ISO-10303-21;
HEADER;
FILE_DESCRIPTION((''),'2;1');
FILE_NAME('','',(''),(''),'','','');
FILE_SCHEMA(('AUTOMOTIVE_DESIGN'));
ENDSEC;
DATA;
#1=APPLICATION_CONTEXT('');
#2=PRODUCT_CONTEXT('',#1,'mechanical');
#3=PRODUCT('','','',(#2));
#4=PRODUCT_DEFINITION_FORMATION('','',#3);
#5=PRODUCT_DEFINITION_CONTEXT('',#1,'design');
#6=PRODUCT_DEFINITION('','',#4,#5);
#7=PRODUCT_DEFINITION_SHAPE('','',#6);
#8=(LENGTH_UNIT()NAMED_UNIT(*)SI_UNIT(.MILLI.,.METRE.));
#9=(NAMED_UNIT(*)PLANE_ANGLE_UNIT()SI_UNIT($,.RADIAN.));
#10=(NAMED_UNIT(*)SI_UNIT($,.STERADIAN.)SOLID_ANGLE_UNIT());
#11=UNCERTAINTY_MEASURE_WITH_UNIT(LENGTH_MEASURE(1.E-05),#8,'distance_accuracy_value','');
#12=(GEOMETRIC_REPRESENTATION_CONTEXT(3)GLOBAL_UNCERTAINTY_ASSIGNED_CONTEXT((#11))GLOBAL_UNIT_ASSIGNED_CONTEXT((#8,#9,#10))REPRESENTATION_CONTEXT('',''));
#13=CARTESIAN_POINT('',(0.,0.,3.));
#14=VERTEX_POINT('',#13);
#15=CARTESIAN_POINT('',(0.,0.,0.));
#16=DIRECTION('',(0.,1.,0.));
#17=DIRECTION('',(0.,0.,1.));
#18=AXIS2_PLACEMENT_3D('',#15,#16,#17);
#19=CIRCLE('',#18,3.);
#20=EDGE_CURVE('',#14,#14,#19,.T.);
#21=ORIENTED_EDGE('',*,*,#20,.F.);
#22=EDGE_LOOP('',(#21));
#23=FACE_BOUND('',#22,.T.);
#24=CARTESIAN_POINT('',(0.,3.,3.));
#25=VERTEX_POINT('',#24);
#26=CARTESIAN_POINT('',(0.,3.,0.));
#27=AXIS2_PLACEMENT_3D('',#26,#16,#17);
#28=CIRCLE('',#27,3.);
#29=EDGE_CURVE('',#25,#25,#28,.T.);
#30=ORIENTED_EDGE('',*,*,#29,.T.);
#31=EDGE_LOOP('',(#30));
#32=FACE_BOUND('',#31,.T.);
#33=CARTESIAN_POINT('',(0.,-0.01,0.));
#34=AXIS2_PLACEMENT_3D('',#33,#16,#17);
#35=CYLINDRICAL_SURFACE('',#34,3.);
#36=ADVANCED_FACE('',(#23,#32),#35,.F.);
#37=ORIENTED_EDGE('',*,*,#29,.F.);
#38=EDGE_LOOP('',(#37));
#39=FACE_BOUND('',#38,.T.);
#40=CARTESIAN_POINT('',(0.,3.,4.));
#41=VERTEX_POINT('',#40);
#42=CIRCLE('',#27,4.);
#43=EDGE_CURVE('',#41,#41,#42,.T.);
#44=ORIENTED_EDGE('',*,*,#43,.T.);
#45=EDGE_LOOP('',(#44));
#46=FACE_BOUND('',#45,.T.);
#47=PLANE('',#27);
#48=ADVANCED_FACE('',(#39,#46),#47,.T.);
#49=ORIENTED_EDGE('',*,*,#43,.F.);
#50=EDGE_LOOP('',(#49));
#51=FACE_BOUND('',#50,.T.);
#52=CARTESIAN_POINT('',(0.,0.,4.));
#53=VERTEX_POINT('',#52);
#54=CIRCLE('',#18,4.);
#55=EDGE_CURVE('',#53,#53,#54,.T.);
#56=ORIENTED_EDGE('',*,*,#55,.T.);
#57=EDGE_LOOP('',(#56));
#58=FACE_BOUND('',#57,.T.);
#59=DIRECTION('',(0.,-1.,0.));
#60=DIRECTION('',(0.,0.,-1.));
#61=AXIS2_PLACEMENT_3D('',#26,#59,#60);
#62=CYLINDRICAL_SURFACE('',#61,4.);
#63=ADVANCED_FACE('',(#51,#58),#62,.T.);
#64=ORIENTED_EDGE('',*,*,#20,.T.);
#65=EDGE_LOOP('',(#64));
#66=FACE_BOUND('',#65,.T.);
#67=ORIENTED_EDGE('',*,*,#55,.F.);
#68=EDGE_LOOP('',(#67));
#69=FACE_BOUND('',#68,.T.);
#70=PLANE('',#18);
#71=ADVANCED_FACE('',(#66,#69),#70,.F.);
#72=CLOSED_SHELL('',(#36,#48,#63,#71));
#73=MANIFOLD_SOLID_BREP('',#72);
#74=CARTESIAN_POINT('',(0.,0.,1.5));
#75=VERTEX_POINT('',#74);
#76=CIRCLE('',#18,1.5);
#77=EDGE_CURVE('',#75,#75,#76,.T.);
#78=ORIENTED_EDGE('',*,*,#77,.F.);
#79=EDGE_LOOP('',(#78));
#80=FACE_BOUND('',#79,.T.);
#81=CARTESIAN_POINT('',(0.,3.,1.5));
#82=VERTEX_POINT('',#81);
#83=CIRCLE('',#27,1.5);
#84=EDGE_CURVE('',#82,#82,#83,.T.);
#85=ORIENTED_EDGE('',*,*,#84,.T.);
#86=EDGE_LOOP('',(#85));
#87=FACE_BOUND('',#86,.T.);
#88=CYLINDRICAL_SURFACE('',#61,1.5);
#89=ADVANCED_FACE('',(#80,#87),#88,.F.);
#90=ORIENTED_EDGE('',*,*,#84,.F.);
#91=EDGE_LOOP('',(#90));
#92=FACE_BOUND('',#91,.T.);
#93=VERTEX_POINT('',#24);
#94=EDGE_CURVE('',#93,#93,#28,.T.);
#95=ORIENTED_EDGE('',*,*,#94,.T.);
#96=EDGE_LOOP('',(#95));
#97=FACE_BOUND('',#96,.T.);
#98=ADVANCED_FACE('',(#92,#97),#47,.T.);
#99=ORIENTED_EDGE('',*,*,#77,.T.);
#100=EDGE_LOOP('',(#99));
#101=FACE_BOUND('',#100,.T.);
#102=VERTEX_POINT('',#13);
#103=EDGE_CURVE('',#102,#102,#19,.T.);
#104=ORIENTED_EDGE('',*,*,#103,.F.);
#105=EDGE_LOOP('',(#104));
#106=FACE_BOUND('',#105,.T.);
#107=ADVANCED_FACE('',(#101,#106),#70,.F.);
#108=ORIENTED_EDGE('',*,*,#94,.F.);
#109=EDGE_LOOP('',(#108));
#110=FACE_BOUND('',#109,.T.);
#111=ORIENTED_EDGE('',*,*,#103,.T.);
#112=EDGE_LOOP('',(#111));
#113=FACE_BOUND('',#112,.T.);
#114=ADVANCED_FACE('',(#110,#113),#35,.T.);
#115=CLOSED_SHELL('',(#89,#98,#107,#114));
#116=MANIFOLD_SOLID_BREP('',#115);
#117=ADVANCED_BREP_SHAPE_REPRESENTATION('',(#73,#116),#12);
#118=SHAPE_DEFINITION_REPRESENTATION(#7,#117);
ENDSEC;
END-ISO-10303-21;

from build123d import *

# Parameters (mm, degrees)
SKETCH_1_R                     = 4
SKETCH_1_R_2                   = 1.5
EXTRUDE_1_DEPTH                = 3
SPLIT_BODIES_1_SURFACE_1_BACK  = 12.705
SPLIT_BODIES_1_SURFACE_1_DEPTH = 25.41
SPLIT_BODIES_1_SURFACE_2_BACK  = 12.705
SPLIT_BODIES_1_SURFACE_2_DEPTH = 25.41


with BuildPart() as part:
    # 草图1 → 凸台-拉伸1 (new body)
    with BuildSketch(Plane(origin=(0, 0, 0), x_dir=(1, 0, 0), z_dir=(0, 1, 0))):
        with Locations(Location((0, 0, 0), (0, 0, 270))):
            Circle(SKETCH_1_R)
        with Locations(Location((0, 0, 0), (0, 0, 270))):
            Circle(SKETCH_1_R_2, mode=Mode.SUBTRACT)
    extrude(amount=EXTRUDE_1_DEPTH)


with BuildPart() as body_2:
    # Split Bodies 1: the piece behind the surface
    add(part.part)
    # Split Bodies 1 surface: a surface, the sketch's curves swept straight by 25.41 mm
    with BuildLine(Plane(origin=(0, 3, 0), x_dir=(1, 0, 0), z_dir=(0, 1, 0)).offset(-SPLIT_BODIES_1_SURFACE_1_BACK), mode=Mode.PRIVATE) as split_bodies_1_surface_1_path:
        CenterArc((0, 0), 3, 0, 360)
    split_bodies_1_surface_1 = Shell.extrude(split_bodies_1_surface_1_path.wire(), (0 * SPLIT_BODIES_1_SURFACE_1_DEPTH, 1 * SPLIT_BODIES_1_SURFACE_1_DEPTH, 0 * SPLIT_BODIES_1_SURFACE_1_DEPTH))
    split(bisect_by=split_bodies_1_surface_1, keep=Keep.BOTTOM)


with BuildPart() as part_1:
    add(part.part)

    # Split Bodies 1: split by a surface, the side it looks to stays
    # Split Bodies 1 surface: a surface, the sketch's curves swept straight by 25.41 mm
    with BuildLine(Plane(origin=(0, 3, 0), x_dir=(1, 0, 0), z_dir=(0, 1, 0)).offset(-SPLIT_BODIES_1_SURFACE_2_BACK), mode=Mode.PRIVATE) as split_bodies_1_surface_2_path:
        CenterArc((0, 0), 3, 0, 360)
    split_bodies_1_surface_2 = Shell.extrude(split_bodies_1_surface_2_path.wire(), (0 * SPLIT_BODIES_1_SURFACE_2_DEPTH, 1 * SPLIT_BODIES_1_SURFACE_2_DEPTH, 0 * SPLIT_BODIES_1_SURFACE_2_DEPTH))
    split(bisect_by=split_bodies_1_surface_2, keep=Keep.TOP)


solid = Compound([body_2.part, part_1.part])
